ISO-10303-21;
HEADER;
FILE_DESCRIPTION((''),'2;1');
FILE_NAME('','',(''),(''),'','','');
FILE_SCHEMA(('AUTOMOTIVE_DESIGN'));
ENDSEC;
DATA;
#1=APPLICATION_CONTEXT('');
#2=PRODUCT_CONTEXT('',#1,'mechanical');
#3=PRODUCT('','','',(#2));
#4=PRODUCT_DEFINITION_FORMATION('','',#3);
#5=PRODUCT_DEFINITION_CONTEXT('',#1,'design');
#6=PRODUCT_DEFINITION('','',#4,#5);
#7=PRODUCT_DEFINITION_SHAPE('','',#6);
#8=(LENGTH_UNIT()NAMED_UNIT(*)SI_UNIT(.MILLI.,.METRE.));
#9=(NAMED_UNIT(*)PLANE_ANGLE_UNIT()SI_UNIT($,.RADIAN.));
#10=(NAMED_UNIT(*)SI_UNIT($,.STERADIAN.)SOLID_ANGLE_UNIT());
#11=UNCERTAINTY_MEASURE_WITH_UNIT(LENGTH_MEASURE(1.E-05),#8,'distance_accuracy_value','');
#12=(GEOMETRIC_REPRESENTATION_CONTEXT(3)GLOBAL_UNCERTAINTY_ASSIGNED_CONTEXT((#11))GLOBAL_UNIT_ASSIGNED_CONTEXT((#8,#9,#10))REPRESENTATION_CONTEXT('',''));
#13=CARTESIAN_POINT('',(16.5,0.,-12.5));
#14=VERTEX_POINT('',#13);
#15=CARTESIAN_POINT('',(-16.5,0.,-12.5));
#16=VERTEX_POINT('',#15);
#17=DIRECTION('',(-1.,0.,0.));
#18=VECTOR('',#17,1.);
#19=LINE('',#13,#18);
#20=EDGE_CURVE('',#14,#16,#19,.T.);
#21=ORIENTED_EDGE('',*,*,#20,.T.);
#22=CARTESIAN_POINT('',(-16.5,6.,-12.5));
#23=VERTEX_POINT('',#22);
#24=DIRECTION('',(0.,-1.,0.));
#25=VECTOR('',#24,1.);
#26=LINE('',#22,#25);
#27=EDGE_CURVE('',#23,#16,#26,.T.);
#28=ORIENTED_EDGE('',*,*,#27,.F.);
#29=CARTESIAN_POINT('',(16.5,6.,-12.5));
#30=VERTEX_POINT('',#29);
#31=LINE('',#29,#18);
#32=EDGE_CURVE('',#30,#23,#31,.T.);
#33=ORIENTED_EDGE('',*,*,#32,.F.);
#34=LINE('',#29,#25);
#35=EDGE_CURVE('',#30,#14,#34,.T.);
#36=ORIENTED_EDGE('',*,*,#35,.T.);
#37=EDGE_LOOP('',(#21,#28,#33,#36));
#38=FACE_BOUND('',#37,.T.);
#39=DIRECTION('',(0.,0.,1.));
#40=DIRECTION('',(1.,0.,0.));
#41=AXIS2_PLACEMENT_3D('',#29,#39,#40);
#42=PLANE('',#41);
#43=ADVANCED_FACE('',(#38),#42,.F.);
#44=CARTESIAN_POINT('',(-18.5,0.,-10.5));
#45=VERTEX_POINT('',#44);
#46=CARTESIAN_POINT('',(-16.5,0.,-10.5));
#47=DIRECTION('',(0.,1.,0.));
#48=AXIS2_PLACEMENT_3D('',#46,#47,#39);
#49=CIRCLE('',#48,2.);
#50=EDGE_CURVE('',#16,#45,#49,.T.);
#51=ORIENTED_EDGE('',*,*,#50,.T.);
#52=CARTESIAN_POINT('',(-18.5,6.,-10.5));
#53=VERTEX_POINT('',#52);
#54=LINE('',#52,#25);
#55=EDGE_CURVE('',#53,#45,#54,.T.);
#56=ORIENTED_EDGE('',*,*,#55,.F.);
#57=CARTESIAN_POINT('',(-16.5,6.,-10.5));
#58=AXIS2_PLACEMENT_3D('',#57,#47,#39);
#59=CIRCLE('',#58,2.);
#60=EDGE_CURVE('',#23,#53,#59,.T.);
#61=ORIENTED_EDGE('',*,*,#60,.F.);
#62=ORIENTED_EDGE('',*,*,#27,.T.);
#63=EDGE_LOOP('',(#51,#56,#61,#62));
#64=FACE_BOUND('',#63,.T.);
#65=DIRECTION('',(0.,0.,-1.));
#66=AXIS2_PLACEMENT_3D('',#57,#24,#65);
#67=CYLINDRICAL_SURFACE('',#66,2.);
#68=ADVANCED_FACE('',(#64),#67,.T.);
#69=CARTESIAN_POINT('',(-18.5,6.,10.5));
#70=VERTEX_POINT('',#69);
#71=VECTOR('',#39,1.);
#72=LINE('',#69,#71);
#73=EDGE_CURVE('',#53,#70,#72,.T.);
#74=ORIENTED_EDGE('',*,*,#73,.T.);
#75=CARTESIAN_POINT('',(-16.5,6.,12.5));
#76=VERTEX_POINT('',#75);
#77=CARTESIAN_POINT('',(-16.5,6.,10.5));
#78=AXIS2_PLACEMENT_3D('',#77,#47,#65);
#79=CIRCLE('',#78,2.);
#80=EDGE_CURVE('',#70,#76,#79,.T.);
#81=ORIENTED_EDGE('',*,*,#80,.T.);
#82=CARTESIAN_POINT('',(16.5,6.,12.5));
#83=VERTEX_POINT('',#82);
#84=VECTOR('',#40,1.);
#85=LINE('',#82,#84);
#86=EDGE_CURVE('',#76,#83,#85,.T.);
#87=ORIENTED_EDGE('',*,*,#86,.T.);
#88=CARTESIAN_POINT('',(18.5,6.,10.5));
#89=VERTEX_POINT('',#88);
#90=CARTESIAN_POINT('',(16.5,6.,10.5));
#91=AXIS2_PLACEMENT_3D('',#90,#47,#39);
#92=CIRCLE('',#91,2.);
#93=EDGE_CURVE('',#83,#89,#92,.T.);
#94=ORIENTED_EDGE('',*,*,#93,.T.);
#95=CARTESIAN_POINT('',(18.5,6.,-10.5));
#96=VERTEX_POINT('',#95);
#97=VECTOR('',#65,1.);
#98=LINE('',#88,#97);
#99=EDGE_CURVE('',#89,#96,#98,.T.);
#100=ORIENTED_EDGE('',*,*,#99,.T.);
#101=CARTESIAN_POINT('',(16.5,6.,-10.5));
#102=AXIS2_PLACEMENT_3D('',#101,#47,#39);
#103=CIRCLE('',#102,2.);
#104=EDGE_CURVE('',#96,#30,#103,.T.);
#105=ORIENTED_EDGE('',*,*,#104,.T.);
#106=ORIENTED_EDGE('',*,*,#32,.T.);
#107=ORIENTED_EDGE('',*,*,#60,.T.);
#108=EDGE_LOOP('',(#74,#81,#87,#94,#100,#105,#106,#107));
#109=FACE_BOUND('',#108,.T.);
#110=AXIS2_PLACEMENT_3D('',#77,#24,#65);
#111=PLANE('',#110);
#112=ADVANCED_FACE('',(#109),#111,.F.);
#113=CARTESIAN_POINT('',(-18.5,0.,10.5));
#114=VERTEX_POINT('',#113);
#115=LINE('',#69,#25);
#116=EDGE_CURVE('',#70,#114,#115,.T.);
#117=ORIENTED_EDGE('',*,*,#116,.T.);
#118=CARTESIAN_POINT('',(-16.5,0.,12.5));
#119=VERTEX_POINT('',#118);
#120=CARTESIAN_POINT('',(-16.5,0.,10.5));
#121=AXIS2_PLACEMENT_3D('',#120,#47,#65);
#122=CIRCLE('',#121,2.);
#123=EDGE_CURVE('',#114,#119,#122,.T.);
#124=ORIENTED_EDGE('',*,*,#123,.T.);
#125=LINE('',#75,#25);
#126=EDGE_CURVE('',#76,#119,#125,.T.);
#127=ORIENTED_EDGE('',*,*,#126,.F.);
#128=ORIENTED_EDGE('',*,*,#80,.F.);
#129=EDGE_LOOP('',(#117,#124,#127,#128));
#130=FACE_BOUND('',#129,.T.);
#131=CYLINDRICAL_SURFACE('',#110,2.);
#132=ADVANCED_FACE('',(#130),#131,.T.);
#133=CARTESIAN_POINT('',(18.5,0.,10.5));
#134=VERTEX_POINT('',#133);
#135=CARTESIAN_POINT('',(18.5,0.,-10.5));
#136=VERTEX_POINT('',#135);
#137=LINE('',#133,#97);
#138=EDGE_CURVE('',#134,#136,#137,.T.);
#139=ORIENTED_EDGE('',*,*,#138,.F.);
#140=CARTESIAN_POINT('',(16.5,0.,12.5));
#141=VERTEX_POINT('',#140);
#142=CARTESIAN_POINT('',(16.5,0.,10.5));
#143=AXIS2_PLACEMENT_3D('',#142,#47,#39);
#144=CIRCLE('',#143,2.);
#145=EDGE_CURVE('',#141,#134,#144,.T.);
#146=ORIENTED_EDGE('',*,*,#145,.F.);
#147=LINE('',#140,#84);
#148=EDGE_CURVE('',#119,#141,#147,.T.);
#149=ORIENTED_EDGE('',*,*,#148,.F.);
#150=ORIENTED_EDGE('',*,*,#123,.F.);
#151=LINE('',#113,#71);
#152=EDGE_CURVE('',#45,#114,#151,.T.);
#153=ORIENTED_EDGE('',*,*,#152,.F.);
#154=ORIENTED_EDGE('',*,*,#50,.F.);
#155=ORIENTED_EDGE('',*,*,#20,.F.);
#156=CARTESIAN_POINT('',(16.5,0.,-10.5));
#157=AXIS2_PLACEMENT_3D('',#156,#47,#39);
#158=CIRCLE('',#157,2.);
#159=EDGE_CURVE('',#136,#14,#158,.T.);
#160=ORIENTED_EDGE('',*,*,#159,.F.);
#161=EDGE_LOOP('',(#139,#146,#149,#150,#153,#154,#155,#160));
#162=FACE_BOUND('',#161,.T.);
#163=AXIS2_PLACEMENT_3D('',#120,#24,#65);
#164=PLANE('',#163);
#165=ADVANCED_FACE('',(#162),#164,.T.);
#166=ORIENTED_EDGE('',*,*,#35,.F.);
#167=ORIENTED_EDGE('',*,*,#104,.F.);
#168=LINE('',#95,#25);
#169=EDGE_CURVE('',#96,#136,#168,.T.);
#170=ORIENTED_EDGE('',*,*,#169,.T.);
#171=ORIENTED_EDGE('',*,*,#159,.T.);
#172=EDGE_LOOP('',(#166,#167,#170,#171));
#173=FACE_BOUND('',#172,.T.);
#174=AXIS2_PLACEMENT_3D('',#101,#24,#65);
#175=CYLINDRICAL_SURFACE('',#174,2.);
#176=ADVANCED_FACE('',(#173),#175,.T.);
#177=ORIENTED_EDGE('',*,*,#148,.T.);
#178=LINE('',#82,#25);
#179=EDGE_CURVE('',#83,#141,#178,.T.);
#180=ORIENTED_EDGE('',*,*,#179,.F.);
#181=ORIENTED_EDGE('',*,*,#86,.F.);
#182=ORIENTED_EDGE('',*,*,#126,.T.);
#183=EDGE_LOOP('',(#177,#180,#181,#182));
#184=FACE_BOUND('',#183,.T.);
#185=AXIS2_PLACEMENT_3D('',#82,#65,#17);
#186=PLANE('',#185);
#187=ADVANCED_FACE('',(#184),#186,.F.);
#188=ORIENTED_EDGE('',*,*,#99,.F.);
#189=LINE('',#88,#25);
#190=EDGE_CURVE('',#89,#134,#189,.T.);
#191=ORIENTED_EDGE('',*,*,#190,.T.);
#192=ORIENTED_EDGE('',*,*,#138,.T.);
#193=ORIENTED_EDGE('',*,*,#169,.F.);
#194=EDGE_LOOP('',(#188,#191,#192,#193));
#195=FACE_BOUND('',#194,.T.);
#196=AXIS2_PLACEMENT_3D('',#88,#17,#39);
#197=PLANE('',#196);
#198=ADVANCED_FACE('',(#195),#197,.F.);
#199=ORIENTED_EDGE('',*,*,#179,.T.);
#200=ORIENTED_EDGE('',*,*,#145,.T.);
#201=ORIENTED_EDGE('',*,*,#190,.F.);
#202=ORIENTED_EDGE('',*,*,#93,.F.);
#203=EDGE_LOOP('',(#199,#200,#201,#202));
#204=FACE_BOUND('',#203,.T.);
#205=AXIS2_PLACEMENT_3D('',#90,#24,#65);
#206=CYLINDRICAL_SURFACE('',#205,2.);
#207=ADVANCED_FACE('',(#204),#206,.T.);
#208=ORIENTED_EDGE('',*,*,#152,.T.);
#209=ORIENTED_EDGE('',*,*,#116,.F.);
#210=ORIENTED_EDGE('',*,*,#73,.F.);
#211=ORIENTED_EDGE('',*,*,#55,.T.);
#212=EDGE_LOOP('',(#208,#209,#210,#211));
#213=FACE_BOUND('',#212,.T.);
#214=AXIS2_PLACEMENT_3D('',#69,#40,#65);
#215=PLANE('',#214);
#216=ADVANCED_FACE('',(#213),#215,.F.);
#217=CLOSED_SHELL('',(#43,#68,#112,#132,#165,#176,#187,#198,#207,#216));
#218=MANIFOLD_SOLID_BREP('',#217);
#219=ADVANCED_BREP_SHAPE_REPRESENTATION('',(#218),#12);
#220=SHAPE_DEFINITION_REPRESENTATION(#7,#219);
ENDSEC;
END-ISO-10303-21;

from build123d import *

# Parameters (mm, degrees)
BOSS_EXTRUDE1_DEPTH = 6


with BuildPart() as part:
    # Sketch1 → Boss-Extrude1 (new body)
    with BuildSketch(Plane(origin=(0, 0, 0), x_dir=(1, 0, 0), z_dir=(0, 1, 0))):
        with BuildLine():
            Line((16.5, -12.5), (-16.5, -12.5))
            ThreePointArc((-16.5, -12.5), (-17.914213562, -11.914213562), (-18.5, -10.5))
            Line((-18.5, -10.5), (-18.5, 10.5))
            ThreePointArc((-18.5, 10.5), (-17.914213562, 11.914213562), (-16.5, 12.5))
            Line((-16.5, 12.5), (16.5, 12.5))
            ThreePointArc((16.5, 12.5), (17.914213562, 11.914213562), (18.5, 10.5))
            Line((18.5, 10.5), (18.5, -10.5))
            ThreePointArc((18.5, -10.5), (17.914213562, -11.914213562), (16.5, -12.5))
        make_face()
    extrude(amount=BOSS_EXTRUDE1_DEPTH)


solid = part.part
